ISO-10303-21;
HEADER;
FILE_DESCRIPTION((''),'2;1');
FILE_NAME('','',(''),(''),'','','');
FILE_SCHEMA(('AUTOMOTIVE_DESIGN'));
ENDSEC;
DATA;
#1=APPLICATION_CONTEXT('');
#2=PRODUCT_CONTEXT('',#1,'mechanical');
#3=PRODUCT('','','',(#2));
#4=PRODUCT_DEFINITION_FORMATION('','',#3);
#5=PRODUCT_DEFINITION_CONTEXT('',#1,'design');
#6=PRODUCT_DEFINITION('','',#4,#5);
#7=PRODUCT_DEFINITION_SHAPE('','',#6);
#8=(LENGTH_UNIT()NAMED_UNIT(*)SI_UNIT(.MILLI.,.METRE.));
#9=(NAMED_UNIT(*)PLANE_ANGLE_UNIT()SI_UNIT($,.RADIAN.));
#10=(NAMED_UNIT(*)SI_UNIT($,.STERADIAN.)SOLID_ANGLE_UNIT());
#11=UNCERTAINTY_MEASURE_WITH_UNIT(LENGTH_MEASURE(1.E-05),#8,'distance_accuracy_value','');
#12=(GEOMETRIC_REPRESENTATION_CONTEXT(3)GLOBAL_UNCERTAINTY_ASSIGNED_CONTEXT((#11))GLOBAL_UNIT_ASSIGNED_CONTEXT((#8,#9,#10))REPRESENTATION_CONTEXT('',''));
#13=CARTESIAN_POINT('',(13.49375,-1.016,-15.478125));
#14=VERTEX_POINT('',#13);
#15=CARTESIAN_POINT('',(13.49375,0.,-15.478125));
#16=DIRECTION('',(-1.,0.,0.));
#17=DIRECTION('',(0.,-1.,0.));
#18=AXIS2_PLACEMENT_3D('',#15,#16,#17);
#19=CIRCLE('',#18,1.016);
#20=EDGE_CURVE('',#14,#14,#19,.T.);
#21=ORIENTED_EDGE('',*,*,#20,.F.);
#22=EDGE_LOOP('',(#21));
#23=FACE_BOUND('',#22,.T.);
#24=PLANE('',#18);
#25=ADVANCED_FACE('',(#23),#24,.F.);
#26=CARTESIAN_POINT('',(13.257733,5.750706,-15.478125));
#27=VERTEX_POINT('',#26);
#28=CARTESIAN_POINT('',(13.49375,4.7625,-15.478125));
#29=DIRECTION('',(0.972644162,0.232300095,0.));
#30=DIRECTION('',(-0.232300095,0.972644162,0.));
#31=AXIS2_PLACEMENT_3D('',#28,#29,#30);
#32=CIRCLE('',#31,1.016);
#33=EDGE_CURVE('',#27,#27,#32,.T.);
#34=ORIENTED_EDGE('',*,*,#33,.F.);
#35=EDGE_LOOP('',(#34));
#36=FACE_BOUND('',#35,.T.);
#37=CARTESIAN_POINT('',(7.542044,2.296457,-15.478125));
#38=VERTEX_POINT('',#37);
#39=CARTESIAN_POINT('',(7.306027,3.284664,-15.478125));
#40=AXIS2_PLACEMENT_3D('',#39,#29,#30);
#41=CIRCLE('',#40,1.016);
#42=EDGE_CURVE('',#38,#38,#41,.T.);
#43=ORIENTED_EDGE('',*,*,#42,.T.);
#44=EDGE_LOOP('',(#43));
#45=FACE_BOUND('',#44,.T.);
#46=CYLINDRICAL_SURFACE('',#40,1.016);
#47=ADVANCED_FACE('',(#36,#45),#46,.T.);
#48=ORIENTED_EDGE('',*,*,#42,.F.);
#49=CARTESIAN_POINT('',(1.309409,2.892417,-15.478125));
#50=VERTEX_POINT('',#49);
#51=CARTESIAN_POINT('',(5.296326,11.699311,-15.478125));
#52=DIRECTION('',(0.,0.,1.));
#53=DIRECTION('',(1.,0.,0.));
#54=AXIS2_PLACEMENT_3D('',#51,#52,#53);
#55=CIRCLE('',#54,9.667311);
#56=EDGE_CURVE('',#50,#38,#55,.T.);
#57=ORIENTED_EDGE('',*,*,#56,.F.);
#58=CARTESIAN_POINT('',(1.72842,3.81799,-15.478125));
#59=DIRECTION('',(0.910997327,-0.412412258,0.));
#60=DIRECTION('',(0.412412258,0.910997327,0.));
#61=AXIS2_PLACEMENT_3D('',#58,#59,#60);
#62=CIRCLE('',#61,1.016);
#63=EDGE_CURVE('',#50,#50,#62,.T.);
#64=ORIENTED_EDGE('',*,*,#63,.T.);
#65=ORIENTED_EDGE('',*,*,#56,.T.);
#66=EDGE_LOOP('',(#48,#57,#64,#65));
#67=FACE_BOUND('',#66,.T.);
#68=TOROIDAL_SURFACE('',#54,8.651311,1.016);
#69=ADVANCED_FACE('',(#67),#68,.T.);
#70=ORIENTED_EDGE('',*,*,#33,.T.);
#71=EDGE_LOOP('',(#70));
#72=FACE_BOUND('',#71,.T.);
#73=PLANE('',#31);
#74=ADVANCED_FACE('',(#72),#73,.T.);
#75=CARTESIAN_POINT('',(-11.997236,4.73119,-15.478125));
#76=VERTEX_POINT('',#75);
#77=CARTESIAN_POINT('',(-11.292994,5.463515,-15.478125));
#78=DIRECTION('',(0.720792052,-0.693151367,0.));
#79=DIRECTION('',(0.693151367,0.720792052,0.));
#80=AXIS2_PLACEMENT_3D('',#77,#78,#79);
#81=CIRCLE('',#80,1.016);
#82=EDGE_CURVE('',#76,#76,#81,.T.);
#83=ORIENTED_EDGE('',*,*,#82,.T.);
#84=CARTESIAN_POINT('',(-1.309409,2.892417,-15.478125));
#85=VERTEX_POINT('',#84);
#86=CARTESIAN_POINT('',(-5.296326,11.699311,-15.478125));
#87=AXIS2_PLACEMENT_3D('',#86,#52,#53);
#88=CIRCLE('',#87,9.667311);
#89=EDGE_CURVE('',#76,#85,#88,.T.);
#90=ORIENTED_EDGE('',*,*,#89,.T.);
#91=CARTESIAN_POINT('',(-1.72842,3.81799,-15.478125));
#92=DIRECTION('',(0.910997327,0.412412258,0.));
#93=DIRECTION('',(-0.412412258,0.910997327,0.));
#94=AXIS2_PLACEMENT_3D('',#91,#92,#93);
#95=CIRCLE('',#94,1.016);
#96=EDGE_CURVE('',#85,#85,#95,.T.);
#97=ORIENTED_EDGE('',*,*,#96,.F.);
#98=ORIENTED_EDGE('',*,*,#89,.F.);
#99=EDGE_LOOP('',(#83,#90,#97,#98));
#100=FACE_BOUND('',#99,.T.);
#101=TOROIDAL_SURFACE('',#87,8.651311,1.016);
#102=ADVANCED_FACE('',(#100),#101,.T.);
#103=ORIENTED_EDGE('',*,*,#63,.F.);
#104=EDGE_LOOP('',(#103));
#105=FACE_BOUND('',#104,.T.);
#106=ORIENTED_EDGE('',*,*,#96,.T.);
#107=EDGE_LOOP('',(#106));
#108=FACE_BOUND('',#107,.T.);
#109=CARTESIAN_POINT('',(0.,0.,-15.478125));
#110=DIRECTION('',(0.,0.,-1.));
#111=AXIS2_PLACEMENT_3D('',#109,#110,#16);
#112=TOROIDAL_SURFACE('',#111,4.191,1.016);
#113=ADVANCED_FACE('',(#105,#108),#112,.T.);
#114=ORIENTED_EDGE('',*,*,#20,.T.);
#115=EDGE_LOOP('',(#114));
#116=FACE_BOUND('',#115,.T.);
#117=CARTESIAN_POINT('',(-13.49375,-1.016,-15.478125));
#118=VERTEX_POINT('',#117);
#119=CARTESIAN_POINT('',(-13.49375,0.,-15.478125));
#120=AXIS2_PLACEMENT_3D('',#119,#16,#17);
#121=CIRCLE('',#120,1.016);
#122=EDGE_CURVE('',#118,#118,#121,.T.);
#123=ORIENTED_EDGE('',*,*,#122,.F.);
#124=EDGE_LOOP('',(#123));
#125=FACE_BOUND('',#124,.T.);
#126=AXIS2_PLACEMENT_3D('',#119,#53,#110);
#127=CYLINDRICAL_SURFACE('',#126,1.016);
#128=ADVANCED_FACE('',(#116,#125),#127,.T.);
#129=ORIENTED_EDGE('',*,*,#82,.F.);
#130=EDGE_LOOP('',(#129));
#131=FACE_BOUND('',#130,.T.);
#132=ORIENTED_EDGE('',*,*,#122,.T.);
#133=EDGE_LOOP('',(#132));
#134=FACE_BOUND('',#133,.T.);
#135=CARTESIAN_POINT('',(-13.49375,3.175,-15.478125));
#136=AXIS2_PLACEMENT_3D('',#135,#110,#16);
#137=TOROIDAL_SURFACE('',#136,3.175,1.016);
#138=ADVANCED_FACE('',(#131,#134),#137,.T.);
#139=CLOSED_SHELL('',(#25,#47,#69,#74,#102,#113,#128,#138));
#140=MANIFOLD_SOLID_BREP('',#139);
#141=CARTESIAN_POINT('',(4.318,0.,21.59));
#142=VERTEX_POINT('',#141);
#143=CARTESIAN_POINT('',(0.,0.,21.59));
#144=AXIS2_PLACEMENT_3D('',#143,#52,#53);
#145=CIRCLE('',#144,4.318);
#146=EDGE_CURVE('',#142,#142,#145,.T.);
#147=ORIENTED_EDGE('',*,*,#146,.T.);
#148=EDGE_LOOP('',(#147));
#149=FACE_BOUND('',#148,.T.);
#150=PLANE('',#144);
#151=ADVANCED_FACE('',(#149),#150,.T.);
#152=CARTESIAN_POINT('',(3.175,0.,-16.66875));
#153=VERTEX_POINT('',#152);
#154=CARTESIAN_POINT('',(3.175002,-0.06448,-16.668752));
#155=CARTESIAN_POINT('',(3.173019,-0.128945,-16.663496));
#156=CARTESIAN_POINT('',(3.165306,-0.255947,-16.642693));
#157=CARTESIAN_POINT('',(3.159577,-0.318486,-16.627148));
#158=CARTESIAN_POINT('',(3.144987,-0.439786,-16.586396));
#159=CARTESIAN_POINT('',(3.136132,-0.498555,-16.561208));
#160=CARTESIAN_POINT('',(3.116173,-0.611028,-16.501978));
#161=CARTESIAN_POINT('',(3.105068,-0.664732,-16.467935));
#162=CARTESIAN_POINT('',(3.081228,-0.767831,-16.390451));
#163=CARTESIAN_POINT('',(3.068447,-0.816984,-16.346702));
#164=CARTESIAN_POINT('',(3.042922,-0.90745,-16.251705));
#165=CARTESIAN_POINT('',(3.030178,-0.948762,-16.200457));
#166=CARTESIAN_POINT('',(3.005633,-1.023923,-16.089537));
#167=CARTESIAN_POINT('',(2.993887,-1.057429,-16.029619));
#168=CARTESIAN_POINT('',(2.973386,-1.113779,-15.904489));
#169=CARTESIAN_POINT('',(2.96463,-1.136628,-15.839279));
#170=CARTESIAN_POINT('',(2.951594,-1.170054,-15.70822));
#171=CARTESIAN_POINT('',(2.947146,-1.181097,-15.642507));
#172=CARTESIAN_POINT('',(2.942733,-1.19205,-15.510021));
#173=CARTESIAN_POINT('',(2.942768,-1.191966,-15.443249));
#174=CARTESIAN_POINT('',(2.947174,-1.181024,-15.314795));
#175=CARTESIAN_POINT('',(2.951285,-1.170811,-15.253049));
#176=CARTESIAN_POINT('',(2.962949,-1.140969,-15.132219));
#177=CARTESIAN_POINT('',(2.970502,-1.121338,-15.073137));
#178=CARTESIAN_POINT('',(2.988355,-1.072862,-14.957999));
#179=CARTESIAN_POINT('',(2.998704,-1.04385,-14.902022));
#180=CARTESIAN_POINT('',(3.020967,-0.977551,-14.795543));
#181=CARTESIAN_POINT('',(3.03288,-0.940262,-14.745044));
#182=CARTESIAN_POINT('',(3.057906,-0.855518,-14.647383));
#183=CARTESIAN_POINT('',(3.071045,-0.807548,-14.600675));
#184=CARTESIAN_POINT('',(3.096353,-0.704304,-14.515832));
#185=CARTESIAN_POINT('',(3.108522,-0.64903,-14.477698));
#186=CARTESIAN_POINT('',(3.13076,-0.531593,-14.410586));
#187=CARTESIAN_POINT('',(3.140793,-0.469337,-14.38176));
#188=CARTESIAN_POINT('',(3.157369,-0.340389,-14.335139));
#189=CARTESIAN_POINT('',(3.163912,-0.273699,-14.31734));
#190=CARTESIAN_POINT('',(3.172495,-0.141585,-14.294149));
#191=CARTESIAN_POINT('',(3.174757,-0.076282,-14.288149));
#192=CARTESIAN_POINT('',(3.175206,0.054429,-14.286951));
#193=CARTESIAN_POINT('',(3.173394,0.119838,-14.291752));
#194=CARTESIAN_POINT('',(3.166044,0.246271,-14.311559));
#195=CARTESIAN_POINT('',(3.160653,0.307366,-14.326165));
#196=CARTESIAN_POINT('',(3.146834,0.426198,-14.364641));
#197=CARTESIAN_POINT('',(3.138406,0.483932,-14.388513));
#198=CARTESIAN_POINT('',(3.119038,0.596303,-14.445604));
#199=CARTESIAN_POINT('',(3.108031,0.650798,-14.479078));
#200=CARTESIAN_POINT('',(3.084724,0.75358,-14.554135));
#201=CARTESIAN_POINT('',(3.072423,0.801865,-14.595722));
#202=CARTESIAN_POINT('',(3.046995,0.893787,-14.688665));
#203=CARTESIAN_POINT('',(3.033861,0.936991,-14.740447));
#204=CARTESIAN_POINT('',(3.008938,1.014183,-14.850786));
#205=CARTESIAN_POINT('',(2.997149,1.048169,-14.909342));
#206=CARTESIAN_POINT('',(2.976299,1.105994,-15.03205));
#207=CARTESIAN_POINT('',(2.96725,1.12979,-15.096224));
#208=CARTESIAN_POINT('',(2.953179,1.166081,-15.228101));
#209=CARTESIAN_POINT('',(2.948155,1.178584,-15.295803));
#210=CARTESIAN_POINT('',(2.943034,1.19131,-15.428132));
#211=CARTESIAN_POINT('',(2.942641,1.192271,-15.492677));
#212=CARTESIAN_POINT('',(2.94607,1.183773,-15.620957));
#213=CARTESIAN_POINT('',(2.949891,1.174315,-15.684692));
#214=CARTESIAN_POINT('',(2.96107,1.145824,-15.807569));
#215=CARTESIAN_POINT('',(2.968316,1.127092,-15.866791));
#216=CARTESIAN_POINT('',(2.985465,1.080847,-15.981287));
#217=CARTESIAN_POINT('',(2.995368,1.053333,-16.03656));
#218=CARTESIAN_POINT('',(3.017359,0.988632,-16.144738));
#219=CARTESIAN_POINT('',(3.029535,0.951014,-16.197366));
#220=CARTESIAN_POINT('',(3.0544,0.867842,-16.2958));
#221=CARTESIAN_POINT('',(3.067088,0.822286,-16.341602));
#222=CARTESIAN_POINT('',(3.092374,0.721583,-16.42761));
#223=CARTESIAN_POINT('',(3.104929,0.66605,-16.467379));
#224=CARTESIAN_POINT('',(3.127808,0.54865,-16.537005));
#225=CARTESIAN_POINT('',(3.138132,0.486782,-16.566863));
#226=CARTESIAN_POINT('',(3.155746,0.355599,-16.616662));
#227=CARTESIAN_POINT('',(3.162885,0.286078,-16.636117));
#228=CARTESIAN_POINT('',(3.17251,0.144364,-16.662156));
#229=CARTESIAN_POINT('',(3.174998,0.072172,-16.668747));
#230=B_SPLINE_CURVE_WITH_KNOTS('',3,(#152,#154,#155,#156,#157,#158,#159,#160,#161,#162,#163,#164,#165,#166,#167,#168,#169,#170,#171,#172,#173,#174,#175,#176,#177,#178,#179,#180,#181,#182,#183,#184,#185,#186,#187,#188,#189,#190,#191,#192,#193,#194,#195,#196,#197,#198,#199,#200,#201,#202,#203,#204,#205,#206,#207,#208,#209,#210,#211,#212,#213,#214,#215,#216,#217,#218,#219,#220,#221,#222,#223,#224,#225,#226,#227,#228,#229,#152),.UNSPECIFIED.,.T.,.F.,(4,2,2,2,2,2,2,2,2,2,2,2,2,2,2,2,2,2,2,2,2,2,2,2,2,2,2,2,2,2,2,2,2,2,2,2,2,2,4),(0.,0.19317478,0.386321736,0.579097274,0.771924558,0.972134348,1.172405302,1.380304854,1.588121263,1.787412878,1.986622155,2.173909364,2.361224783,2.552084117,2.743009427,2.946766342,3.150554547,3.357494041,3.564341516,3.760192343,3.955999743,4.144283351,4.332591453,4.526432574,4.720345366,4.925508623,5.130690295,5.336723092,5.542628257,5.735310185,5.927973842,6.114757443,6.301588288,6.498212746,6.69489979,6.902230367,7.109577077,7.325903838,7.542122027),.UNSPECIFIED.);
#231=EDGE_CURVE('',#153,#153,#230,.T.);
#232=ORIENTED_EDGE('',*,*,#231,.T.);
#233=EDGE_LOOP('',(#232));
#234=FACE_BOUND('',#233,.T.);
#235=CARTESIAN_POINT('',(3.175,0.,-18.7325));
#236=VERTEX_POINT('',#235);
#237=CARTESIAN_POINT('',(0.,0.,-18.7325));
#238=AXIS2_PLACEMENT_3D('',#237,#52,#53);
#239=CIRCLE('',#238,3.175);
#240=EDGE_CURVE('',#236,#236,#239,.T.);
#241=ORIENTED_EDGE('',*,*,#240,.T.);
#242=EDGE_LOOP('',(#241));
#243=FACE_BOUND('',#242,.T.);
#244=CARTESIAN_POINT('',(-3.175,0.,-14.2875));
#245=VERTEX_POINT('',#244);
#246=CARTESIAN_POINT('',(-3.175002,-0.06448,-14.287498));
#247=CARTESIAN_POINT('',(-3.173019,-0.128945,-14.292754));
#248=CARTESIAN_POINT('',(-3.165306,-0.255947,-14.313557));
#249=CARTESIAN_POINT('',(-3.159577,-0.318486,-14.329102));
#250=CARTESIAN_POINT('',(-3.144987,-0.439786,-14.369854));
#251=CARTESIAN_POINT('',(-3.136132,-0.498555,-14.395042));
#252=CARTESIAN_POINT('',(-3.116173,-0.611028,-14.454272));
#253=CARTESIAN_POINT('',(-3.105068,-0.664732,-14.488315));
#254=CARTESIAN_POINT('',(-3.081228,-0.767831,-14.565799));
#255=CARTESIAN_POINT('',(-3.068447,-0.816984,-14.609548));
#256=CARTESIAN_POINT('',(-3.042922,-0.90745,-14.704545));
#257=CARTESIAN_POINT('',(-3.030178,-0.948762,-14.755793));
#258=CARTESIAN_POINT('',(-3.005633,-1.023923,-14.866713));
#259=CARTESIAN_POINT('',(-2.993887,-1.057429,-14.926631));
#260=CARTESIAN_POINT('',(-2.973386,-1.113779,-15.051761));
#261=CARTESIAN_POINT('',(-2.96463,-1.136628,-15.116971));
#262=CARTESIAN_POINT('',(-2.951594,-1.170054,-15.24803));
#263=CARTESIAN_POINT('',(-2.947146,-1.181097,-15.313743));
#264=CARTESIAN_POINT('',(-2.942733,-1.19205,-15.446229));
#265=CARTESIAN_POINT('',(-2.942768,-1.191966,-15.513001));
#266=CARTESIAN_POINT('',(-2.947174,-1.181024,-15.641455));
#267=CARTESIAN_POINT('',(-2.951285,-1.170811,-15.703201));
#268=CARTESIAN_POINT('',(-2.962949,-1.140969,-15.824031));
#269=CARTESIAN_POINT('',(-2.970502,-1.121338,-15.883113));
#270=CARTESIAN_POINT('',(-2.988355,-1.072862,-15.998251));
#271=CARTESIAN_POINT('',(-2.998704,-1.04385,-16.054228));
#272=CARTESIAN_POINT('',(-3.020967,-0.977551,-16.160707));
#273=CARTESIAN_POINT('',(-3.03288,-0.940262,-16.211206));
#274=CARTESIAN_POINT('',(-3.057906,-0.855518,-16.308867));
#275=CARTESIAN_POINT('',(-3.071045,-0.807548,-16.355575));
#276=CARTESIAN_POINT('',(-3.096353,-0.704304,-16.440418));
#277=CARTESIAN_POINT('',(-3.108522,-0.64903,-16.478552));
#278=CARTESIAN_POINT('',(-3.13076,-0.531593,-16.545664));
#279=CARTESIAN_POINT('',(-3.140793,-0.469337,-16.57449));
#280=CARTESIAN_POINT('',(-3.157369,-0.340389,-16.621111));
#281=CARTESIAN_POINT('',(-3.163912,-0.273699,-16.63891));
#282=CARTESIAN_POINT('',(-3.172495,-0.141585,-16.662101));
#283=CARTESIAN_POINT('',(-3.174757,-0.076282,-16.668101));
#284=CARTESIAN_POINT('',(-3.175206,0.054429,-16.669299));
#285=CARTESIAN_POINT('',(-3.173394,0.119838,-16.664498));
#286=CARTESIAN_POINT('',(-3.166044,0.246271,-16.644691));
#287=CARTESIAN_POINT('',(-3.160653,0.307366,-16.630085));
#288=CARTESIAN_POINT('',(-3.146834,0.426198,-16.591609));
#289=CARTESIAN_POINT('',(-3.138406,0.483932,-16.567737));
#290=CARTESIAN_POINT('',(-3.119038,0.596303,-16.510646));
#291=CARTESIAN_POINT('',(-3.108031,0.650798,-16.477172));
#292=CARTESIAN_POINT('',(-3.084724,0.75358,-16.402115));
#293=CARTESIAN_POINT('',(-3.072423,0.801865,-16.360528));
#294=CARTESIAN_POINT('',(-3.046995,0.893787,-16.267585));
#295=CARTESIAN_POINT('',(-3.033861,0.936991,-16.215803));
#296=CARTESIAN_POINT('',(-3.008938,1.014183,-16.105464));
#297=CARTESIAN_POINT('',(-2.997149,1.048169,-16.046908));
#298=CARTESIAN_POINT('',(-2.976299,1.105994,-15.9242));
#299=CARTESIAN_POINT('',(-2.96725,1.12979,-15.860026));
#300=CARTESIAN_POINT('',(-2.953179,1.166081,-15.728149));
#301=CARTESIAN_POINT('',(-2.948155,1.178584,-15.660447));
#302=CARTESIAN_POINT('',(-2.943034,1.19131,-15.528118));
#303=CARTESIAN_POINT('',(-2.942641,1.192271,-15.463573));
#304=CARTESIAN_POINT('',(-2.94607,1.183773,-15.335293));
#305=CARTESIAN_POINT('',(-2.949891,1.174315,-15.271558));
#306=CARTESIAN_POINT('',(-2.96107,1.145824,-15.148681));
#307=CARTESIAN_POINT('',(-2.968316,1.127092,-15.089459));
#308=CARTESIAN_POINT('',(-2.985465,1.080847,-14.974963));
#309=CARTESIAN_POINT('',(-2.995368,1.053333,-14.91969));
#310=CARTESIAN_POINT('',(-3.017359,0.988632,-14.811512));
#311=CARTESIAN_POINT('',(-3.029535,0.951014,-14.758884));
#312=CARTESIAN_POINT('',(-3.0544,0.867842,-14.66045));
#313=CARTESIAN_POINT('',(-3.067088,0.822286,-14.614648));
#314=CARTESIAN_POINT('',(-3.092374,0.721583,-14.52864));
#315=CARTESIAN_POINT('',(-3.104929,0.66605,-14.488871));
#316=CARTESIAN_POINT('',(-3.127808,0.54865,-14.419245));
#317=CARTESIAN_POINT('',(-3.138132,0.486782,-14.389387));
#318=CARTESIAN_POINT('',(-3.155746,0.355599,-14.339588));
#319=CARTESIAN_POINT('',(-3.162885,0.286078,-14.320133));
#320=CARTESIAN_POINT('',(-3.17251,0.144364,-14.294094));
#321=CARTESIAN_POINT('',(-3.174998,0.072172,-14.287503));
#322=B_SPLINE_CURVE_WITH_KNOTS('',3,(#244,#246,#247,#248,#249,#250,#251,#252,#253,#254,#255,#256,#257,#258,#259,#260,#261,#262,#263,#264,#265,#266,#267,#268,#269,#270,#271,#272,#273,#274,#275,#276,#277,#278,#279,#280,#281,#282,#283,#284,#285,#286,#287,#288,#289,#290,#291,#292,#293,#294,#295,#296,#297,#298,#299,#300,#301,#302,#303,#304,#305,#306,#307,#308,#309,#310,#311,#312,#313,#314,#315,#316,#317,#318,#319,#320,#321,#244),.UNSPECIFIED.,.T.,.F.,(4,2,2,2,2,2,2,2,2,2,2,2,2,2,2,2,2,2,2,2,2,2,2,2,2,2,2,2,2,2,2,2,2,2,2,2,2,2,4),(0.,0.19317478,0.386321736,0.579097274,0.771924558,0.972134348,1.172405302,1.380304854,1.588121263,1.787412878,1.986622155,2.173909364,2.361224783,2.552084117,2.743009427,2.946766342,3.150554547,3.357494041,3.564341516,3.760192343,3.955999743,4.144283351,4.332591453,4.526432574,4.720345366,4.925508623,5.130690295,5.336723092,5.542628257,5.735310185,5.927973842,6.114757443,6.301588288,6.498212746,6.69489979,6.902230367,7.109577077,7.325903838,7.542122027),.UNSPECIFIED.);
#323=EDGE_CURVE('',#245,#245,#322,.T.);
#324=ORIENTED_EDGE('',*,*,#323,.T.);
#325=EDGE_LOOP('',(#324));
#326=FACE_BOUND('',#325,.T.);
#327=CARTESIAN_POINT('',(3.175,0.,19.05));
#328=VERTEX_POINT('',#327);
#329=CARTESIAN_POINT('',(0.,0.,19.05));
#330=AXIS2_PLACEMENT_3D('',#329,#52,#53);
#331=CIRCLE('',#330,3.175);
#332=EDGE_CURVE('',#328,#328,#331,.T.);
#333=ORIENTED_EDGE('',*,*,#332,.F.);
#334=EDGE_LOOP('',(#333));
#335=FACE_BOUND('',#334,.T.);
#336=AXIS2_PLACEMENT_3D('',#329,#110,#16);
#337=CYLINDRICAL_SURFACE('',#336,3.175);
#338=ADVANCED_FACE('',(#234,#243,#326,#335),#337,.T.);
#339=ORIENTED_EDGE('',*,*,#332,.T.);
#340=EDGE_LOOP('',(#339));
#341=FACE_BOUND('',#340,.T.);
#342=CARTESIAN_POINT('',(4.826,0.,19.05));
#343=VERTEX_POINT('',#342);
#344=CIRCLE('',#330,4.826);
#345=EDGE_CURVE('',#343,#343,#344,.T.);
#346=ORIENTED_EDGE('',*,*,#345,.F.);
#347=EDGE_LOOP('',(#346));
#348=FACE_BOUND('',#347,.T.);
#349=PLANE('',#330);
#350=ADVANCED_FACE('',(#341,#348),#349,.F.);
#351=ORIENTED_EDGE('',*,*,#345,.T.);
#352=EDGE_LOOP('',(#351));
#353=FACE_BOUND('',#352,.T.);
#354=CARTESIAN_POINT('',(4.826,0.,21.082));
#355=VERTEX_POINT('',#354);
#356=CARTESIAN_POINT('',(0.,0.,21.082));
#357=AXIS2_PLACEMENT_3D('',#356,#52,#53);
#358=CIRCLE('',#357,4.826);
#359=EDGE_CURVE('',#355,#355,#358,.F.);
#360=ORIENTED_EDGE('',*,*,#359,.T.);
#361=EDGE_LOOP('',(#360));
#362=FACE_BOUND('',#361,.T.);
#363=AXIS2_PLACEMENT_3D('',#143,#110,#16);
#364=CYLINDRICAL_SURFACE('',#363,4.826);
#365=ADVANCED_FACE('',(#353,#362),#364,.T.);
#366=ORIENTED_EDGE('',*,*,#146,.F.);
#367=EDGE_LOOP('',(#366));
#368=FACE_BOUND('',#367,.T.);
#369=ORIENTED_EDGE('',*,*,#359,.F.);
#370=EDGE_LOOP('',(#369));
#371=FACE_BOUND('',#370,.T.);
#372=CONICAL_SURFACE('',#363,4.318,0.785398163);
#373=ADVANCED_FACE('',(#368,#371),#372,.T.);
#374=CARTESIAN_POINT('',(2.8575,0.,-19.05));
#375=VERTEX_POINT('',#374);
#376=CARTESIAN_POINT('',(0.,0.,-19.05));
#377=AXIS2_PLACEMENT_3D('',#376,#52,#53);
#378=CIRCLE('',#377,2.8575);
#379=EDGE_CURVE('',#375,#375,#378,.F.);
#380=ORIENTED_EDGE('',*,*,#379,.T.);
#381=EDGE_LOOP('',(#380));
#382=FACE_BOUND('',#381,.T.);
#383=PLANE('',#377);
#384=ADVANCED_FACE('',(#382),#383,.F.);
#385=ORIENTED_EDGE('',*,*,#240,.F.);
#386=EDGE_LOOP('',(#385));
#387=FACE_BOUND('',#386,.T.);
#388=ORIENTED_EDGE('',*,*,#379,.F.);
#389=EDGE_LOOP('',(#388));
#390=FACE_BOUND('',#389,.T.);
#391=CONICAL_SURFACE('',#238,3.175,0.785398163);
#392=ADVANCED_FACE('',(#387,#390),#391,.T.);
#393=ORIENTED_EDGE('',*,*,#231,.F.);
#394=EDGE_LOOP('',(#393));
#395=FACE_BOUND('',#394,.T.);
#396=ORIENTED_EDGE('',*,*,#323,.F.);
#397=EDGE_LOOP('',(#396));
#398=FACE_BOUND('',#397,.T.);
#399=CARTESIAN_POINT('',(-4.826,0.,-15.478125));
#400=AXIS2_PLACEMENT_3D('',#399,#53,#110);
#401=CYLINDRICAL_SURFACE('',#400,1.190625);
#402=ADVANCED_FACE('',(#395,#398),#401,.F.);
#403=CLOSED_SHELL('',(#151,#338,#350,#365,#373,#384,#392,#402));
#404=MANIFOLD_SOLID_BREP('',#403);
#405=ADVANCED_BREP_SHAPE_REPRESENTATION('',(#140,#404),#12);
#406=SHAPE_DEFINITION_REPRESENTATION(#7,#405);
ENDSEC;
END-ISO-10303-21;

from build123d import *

# Parameters (mm, degrees)
SKETCH1_R           = 3.175
EXTRUDE1_DEPTH      = 19.05
SKETCH2_R           = 4.826
EXTRUDE2_DEPTH      = 2.54
CHAMFER1_SIZE       = 0.508
SKETCH3_R           = 1.190625
EXTRUDE3_DEPTH      = 5.826
EXTRUDE3_DEPTH_BACK = 5.826
CHAMFER2_SIZE       = 0.3175
SKETCH7_R           = 1.016


with BuildPart() as part:
    # Sketch1 → Extrude1 (new body, symmetric)
    with BuildSketch(Plane.XY):
        Circle(SKETCH1_R)
    extrude(amount=EXTRUDE1_DEPTH, both=True)

    # Sketch2 → Extrude2 (add)
    with BuildSketch(Plane.XY.offset(19.05)):
        Circle(SKETCH2_R)
    extrude(amount=EXTRUDE2_DEPTH)

    # Chamfer1
    chamfer1_edges = [part.edges().sort_by_distance(p)[0] for p in [
        (-4.826, 0, 21.59),
    ]]
    chamfer(chamfer1_edges, length=CHAMFER1_SIZE)

    # Sketch3 → Extrude3 (cut, two sides)
    with BuildSketch(Plane(origin=(0, 0, 0), x_dir=(0, 0, -1), z_dir=(1, 0, 0))) as extrude3_sk:
        with Locations((15.478125, 0)):
            Circle(SKETCH3_R)
    extrude(amount=EXTRUDE3_DEPTH, mode=Mode.SUBTRACT)
    extrude(extrude3_sk.sketch, amount=-EXTRUDE3_DEPTH_BACK, mode=Mode.SUBTRACT)

    # Chamfer2
    chamfer2_edges = [part.edges().sort_by_distance(p)[0] for p in [
        (-3.175, 0, -19.05),
    ]]
    chamfer(chamfer2_edges, length=CHAMFER2_SIZE)


with BuildPart() as body_2:
    # Sweep1: sweep along a path in Sketch6
    with BuildLine(Plane.XY.offset(-15.478125)) as sweep1_path:
        Line((13.49375, 0), (-13.49375, 0))
        ThreePointArc((-13.49375, 0), (-16.438801729, 4.361294783), (-11.292994408, 5.463514764))
        ThreePointArc((-11.292994408, 5.463514764), (-6.763179694, 3.173261299), (-1.728419774, 3.817989796))
        ThreePointArc((-1.728419774, 3.817989796), (0, 4.191), (1.728419774, 3.817989796))
        ThreePointArc((1.728419774, 3.817989796), (4.472851559, 3.087280395), (7.306026778, 3.28466386))
        Line((7.306026778, 3.28466386), (13.49375, 4.7625))
    # Sketch7 → Sweep1 (sweep)
    with BuildSketch(Plane(origin=(13.49375, 0, -15.478125), x_dir=(0, 0, 1), z_dir=(-1, 0, 0))):
        Circle(SKETCH7_R)
    sweep(path=sweep1_path.line)


solid = Compound([part.part, body_2.part])
